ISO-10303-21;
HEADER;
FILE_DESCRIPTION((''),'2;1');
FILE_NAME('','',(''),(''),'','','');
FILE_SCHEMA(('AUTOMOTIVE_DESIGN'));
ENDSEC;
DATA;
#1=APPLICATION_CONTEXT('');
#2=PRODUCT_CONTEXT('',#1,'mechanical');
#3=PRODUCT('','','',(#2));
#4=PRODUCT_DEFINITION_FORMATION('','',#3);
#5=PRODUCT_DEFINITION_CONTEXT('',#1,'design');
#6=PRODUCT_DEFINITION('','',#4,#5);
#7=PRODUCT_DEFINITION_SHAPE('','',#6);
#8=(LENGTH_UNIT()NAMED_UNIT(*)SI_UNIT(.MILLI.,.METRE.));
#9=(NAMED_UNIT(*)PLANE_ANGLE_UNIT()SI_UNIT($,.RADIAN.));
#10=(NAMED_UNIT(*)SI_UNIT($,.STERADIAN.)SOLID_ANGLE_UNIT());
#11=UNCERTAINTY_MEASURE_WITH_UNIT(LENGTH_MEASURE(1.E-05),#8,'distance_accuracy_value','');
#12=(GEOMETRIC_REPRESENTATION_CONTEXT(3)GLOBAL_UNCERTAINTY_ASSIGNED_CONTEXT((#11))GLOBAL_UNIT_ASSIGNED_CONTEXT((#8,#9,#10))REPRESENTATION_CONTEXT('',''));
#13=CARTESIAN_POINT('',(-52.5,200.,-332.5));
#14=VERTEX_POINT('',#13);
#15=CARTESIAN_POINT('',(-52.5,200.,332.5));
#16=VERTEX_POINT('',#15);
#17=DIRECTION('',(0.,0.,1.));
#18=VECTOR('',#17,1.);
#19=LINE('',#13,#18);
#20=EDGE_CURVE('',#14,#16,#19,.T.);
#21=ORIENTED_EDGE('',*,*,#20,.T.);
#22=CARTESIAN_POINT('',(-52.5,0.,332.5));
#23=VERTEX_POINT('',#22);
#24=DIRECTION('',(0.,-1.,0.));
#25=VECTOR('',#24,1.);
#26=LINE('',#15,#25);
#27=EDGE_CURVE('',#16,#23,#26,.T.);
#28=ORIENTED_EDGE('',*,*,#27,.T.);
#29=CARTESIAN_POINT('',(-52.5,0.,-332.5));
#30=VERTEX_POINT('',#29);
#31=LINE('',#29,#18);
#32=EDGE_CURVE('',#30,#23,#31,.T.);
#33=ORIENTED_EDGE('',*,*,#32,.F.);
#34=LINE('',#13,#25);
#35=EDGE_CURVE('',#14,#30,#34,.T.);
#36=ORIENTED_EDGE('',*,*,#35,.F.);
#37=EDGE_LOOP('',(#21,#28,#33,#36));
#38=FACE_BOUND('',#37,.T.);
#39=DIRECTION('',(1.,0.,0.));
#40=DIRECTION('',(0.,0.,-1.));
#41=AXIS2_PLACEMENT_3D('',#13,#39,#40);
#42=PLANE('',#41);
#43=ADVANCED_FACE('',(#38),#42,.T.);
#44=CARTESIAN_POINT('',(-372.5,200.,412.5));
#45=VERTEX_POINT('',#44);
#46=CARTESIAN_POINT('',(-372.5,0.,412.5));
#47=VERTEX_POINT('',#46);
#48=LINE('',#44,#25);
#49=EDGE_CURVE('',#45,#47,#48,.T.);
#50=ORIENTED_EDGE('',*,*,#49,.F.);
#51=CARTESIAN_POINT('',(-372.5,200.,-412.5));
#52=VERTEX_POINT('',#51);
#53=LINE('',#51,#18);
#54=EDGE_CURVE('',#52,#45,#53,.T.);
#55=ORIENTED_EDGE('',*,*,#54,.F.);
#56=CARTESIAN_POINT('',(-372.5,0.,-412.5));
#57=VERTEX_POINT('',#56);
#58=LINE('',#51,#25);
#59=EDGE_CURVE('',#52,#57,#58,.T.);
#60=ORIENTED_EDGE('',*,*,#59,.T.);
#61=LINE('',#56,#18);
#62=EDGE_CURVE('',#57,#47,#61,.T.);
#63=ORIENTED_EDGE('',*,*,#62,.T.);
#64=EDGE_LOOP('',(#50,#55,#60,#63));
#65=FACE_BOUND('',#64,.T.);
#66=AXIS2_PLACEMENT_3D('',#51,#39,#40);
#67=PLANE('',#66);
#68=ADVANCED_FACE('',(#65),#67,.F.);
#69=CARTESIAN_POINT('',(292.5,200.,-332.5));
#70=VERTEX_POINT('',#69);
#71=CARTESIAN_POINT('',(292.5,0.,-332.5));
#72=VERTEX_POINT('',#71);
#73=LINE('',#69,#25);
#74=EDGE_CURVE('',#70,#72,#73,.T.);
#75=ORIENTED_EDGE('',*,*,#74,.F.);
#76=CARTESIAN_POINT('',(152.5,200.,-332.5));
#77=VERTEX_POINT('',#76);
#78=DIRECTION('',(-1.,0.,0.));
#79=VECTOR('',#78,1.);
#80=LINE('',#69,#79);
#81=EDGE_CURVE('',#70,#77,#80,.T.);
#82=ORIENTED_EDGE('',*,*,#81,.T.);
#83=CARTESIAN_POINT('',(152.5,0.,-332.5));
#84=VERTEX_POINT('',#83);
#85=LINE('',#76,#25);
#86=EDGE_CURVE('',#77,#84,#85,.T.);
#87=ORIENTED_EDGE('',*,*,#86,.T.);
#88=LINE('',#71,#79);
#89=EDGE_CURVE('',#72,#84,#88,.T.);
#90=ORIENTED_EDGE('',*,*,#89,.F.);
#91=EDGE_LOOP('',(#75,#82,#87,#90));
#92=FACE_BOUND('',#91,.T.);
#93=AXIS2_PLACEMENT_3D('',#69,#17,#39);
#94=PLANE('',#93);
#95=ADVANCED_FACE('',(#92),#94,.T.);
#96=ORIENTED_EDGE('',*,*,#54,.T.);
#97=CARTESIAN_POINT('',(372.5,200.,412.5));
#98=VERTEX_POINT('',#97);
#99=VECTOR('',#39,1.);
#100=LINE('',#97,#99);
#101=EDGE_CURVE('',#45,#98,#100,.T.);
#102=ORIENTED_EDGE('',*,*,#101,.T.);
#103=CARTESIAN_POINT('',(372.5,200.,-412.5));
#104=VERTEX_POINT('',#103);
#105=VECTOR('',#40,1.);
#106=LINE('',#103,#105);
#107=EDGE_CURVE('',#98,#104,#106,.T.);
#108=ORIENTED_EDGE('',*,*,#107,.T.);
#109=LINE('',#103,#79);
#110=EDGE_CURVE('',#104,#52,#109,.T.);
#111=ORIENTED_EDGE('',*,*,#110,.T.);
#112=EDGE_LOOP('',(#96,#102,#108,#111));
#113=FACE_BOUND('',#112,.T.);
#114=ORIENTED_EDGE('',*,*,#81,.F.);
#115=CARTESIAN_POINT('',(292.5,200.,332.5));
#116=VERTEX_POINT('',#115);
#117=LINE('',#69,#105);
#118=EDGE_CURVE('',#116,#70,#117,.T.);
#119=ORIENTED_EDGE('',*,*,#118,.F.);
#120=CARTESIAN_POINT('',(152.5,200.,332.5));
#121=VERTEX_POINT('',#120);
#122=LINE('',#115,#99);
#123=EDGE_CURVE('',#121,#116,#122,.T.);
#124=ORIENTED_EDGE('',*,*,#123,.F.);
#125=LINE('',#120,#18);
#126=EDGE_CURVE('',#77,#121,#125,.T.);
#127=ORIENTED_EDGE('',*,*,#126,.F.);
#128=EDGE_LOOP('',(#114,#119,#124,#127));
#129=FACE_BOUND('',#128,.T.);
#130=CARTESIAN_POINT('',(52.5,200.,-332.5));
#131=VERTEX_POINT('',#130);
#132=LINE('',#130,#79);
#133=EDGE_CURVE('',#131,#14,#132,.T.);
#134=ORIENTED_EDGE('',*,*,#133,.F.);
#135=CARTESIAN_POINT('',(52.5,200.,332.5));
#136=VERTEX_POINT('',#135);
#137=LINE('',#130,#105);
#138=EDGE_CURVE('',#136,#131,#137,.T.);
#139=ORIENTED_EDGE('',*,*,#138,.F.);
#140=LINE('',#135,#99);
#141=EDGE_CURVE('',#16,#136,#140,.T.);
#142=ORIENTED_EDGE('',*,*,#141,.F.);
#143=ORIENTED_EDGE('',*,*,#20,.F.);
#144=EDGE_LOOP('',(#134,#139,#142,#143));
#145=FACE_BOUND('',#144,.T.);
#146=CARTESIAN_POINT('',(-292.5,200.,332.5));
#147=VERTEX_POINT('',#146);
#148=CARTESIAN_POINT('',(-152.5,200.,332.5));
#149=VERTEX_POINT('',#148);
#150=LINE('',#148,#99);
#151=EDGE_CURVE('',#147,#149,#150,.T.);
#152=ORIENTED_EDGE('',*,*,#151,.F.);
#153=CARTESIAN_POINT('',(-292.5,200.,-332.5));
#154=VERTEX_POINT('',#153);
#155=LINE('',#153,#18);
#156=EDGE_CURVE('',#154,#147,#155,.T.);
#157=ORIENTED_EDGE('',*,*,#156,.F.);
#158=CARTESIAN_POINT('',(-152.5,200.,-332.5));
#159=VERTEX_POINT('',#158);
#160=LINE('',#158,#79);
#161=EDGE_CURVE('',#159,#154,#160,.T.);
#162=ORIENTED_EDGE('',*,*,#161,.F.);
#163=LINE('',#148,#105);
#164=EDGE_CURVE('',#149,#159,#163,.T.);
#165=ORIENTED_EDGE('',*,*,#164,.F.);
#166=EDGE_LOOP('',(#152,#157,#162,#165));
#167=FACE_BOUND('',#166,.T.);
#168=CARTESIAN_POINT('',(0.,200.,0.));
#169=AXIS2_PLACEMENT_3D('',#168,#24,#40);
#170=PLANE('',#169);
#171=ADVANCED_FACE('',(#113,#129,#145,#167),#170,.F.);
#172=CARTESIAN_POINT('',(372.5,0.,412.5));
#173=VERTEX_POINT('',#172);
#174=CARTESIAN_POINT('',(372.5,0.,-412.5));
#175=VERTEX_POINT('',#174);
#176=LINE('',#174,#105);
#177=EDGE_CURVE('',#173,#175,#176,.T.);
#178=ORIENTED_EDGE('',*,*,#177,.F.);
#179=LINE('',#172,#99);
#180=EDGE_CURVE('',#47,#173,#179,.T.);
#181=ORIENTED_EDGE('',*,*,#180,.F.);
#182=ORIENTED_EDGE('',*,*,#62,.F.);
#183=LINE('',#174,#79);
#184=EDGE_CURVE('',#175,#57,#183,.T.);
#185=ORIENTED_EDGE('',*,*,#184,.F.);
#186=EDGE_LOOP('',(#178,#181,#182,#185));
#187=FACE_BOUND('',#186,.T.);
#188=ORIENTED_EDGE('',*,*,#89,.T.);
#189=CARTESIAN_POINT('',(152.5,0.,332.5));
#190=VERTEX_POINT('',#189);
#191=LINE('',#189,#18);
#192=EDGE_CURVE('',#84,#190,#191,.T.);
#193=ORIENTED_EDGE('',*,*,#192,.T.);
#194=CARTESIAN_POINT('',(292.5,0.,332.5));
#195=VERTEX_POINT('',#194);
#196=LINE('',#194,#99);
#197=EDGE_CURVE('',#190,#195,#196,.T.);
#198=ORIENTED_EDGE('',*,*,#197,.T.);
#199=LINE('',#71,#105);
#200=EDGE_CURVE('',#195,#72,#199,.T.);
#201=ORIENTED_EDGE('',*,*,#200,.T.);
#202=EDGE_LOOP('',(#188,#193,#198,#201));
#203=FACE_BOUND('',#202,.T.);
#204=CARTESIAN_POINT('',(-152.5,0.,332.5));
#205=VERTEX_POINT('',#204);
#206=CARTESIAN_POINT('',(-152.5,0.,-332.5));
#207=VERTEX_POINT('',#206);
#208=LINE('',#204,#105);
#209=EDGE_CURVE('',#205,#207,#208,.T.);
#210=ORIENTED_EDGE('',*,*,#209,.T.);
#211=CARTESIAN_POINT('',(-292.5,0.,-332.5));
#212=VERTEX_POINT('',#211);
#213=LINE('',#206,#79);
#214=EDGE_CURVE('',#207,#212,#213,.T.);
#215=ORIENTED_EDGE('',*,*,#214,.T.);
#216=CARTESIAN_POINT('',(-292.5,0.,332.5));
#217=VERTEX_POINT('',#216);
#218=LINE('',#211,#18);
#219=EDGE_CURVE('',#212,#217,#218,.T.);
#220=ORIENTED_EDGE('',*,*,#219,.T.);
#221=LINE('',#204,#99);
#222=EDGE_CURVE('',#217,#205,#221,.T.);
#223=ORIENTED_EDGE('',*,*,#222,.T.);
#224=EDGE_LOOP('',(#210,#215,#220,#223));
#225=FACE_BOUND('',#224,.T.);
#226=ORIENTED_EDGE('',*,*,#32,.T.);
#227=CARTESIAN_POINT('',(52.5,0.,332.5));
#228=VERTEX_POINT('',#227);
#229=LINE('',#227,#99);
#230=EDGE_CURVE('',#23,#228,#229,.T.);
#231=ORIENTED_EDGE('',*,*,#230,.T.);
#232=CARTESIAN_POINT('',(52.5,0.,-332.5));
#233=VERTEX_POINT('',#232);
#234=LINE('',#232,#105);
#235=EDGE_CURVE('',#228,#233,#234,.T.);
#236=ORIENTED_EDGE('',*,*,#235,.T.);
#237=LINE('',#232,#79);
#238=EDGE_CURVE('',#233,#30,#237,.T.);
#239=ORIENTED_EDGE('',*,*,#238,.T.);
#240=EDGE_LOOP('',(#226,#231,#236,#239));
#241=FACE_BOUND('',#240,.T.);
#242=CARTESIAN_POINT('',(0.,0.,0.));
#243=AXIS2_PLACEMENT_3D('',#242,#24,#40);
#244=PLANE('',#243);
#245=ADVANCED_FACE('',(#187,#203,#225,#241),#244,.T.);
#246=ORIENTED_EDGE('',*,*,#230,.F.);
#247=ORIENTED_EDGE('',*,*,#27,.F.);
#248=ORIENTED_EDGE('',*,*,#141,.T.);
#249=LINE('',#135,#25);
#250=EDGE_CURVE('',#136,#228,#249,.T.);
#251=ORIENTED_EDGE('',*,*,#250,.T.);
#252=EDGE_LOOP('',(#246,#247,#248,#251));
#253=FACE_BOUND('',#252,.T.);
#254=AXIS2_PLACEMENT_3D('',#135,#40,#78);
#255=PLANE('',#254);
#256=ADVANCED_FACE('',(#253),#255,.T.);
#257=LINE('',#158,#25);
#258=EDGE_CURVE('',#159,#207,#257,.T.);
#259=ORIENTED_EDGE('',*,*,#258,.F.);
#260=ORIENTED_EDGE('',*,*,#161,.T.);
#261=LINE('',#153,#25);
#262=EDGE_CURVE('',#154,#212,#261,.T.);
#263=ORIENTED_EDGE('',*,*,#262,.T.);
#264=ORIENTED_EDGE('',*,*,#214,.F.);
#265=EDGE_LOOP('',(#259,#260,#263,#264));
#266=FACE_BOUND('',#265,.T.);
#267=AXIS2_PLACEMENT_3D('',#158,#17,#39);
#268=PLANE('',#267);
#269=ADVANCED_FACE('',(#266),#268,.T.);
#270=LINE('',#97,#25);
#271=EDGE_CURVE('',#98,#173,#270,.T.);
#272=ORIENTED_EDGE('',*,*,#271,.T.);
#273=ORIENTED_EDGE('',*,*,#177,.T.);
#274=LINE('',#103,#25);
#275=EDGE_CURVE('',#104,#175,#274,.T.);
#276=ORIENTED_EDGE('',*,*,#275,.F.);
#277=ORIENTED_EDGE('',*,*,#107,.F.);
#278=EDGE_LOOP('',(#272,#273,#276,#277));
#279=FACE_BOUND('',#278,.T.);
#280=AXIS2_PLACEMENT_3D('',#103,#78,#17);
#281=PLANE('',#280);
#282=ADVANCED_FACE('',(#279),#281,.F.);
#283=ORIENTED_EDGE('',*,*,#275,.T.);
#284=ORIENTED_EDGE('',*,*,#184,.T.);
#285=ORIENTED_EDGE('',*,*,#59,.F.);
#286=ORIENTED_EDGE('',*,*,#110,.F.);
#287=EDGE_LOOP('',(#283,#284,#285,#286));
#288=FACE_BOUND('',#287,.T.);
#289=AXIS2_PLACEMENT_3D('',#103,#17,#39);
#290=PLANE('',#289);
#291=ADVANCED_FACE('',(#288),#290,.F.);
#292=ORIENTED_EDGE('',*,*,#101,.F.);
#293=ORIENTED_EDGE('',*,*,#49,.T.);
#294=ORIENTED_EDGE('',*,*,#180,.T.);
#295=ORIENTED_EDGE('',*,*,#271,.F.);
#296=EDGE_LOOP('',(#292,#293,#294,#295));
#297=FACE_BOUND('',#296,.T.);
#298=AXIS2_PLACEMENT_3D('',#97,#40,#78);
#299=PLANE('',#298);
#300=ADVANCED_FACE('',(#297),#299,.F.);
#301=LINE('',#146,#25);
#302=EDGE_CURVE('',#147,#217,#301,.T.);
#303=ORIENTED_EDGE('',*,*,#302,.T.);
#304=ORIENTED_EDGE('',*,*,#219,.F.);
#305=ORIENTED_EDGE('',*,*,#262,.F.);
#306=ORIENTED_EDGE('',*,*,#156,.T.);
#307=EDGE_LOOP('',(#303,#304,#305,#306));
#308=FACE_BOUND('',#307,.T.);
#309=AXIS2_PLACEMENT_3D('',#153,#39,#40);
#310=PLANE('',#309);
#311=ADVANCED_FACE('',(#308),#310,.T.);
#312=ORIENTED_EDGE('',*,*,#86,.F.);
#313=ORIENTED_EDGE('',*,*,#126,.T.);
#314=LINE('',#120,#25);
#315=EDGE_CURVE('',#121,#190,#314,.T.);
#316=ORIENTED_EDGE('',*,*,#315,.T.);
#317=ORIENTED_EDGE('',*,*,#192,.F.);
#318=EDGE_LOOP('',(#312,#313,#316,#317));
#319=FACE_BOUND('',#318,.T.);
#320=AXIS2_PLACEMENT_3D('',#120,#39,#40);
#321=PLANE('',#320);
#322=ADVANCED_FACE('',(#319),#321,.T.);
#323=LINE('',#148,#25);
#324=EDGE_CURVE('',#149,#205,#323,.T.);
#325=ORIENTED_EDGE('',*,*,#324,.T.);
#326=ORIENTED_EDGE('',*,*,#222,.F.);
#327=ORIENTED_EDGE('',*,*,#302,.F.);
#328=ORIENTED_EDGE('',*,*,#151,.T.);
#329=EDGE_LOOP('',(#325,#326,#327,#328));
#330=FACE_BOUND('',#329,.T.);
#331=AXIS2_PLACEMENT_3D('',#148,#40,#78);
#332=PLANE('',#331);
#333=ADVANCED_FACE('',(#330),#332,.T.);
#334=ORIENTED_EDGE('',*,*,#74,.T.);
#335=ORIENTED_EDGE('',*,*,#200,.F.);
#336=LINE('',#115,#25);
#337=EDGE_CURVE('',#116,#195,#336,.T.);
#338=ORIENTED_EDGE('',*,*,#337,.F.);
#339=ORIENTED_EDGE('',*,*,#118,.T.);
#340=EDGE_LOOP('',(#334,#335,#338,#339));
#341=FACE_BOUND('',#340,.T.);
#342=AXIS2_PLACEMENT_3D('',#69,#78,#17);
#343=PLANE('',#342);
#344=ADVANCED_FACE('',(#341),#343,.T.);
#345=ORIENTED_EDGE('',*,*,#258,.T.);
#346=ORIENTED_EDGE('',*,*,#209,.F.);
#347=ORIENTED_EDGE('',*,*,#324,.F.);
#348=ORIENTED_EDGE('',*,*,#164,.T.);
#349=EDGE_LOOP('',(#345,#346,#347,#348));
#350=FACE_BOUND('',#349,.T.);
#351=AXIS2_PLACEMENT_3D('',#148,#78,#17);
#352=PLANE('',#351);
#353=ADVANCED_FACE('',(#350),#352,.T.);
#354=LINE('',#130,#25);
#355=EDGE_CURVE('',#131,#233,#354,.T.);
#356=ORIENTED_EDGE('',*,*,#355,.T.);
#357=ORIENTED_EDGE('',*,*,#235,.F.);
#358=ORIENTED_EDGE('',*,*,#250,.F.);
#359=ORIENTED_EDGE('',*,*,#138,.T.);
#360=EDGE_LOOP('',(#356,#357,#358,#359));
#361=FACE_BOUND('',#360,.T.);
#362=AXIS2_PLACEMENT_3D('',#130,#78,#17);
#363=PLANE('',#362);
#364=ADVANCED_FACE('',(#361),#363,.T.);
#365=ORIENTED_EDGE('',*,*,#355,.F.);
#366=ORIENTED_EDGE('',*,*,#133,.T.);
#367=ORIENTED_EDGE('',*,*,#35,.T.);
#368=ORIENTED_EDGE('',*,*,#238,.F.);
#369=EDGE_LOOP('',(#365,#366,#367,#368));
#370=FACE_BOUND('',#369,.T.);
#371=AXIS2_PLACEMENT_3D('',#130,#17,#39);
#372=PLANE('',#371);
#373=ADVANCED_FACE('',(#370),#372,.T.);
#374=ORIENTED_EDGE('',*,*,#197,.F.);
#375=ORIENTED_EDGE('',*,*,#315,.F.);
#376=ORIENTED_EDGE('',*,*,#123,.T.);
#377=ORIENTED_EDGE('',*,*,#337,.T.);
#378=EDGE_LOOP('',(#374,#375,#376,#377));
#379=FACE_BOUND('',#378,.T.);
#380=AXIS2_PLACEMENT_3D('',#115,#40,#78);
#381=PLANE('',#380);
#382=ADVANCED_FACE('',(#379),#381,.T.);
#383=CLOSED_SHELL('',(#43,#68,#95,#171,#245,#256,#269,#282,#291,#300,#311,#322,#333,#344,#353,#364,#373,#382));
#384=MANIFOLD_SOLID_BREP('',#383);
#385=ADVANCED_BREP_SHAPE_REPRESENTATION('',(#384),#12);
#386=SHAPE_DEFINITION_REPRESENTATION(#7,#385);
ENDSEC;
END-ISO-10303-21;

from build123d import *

# Parameters (mm, degrees)
SKETCH1_W           = 745
SKETCH1_H           = 825
SKETCH1_W_2         = 140
SKETCH1_H_2         = 665
SKETCH1_W_3         = 105
BOSS_EXTRUDE1_DEPTH = 200


with BuildPart() as part:
    # Sketch1 → Boss-Extrude1 (new body)
    with BuildSketch(Plane(origin=(0, 0, 0), x_dir=(1, 0, 0), z_dir=(0, 1, 0))):
        Rectangle(SKETCH1_W, SKETCH1_H)
        with Locations((-222.5, 0)):
            Rectangle(SKETCH1_W_2, SKETCH1_H_2, mode=Mode.SUBTRACT)
        with Locations((222.5, 0)):
            Rectangle(SKETCH1_W_2, SKETCH1_H_2, mode=Mode.SUBTRACT)
        Rectangle(SKETCH1_W_3, SKETCH1_H_2, mode=Mode.SUBTRACT)
    extrude(amount=BOSS_EXTRUDE1_DEPTH)


solid = part.part
